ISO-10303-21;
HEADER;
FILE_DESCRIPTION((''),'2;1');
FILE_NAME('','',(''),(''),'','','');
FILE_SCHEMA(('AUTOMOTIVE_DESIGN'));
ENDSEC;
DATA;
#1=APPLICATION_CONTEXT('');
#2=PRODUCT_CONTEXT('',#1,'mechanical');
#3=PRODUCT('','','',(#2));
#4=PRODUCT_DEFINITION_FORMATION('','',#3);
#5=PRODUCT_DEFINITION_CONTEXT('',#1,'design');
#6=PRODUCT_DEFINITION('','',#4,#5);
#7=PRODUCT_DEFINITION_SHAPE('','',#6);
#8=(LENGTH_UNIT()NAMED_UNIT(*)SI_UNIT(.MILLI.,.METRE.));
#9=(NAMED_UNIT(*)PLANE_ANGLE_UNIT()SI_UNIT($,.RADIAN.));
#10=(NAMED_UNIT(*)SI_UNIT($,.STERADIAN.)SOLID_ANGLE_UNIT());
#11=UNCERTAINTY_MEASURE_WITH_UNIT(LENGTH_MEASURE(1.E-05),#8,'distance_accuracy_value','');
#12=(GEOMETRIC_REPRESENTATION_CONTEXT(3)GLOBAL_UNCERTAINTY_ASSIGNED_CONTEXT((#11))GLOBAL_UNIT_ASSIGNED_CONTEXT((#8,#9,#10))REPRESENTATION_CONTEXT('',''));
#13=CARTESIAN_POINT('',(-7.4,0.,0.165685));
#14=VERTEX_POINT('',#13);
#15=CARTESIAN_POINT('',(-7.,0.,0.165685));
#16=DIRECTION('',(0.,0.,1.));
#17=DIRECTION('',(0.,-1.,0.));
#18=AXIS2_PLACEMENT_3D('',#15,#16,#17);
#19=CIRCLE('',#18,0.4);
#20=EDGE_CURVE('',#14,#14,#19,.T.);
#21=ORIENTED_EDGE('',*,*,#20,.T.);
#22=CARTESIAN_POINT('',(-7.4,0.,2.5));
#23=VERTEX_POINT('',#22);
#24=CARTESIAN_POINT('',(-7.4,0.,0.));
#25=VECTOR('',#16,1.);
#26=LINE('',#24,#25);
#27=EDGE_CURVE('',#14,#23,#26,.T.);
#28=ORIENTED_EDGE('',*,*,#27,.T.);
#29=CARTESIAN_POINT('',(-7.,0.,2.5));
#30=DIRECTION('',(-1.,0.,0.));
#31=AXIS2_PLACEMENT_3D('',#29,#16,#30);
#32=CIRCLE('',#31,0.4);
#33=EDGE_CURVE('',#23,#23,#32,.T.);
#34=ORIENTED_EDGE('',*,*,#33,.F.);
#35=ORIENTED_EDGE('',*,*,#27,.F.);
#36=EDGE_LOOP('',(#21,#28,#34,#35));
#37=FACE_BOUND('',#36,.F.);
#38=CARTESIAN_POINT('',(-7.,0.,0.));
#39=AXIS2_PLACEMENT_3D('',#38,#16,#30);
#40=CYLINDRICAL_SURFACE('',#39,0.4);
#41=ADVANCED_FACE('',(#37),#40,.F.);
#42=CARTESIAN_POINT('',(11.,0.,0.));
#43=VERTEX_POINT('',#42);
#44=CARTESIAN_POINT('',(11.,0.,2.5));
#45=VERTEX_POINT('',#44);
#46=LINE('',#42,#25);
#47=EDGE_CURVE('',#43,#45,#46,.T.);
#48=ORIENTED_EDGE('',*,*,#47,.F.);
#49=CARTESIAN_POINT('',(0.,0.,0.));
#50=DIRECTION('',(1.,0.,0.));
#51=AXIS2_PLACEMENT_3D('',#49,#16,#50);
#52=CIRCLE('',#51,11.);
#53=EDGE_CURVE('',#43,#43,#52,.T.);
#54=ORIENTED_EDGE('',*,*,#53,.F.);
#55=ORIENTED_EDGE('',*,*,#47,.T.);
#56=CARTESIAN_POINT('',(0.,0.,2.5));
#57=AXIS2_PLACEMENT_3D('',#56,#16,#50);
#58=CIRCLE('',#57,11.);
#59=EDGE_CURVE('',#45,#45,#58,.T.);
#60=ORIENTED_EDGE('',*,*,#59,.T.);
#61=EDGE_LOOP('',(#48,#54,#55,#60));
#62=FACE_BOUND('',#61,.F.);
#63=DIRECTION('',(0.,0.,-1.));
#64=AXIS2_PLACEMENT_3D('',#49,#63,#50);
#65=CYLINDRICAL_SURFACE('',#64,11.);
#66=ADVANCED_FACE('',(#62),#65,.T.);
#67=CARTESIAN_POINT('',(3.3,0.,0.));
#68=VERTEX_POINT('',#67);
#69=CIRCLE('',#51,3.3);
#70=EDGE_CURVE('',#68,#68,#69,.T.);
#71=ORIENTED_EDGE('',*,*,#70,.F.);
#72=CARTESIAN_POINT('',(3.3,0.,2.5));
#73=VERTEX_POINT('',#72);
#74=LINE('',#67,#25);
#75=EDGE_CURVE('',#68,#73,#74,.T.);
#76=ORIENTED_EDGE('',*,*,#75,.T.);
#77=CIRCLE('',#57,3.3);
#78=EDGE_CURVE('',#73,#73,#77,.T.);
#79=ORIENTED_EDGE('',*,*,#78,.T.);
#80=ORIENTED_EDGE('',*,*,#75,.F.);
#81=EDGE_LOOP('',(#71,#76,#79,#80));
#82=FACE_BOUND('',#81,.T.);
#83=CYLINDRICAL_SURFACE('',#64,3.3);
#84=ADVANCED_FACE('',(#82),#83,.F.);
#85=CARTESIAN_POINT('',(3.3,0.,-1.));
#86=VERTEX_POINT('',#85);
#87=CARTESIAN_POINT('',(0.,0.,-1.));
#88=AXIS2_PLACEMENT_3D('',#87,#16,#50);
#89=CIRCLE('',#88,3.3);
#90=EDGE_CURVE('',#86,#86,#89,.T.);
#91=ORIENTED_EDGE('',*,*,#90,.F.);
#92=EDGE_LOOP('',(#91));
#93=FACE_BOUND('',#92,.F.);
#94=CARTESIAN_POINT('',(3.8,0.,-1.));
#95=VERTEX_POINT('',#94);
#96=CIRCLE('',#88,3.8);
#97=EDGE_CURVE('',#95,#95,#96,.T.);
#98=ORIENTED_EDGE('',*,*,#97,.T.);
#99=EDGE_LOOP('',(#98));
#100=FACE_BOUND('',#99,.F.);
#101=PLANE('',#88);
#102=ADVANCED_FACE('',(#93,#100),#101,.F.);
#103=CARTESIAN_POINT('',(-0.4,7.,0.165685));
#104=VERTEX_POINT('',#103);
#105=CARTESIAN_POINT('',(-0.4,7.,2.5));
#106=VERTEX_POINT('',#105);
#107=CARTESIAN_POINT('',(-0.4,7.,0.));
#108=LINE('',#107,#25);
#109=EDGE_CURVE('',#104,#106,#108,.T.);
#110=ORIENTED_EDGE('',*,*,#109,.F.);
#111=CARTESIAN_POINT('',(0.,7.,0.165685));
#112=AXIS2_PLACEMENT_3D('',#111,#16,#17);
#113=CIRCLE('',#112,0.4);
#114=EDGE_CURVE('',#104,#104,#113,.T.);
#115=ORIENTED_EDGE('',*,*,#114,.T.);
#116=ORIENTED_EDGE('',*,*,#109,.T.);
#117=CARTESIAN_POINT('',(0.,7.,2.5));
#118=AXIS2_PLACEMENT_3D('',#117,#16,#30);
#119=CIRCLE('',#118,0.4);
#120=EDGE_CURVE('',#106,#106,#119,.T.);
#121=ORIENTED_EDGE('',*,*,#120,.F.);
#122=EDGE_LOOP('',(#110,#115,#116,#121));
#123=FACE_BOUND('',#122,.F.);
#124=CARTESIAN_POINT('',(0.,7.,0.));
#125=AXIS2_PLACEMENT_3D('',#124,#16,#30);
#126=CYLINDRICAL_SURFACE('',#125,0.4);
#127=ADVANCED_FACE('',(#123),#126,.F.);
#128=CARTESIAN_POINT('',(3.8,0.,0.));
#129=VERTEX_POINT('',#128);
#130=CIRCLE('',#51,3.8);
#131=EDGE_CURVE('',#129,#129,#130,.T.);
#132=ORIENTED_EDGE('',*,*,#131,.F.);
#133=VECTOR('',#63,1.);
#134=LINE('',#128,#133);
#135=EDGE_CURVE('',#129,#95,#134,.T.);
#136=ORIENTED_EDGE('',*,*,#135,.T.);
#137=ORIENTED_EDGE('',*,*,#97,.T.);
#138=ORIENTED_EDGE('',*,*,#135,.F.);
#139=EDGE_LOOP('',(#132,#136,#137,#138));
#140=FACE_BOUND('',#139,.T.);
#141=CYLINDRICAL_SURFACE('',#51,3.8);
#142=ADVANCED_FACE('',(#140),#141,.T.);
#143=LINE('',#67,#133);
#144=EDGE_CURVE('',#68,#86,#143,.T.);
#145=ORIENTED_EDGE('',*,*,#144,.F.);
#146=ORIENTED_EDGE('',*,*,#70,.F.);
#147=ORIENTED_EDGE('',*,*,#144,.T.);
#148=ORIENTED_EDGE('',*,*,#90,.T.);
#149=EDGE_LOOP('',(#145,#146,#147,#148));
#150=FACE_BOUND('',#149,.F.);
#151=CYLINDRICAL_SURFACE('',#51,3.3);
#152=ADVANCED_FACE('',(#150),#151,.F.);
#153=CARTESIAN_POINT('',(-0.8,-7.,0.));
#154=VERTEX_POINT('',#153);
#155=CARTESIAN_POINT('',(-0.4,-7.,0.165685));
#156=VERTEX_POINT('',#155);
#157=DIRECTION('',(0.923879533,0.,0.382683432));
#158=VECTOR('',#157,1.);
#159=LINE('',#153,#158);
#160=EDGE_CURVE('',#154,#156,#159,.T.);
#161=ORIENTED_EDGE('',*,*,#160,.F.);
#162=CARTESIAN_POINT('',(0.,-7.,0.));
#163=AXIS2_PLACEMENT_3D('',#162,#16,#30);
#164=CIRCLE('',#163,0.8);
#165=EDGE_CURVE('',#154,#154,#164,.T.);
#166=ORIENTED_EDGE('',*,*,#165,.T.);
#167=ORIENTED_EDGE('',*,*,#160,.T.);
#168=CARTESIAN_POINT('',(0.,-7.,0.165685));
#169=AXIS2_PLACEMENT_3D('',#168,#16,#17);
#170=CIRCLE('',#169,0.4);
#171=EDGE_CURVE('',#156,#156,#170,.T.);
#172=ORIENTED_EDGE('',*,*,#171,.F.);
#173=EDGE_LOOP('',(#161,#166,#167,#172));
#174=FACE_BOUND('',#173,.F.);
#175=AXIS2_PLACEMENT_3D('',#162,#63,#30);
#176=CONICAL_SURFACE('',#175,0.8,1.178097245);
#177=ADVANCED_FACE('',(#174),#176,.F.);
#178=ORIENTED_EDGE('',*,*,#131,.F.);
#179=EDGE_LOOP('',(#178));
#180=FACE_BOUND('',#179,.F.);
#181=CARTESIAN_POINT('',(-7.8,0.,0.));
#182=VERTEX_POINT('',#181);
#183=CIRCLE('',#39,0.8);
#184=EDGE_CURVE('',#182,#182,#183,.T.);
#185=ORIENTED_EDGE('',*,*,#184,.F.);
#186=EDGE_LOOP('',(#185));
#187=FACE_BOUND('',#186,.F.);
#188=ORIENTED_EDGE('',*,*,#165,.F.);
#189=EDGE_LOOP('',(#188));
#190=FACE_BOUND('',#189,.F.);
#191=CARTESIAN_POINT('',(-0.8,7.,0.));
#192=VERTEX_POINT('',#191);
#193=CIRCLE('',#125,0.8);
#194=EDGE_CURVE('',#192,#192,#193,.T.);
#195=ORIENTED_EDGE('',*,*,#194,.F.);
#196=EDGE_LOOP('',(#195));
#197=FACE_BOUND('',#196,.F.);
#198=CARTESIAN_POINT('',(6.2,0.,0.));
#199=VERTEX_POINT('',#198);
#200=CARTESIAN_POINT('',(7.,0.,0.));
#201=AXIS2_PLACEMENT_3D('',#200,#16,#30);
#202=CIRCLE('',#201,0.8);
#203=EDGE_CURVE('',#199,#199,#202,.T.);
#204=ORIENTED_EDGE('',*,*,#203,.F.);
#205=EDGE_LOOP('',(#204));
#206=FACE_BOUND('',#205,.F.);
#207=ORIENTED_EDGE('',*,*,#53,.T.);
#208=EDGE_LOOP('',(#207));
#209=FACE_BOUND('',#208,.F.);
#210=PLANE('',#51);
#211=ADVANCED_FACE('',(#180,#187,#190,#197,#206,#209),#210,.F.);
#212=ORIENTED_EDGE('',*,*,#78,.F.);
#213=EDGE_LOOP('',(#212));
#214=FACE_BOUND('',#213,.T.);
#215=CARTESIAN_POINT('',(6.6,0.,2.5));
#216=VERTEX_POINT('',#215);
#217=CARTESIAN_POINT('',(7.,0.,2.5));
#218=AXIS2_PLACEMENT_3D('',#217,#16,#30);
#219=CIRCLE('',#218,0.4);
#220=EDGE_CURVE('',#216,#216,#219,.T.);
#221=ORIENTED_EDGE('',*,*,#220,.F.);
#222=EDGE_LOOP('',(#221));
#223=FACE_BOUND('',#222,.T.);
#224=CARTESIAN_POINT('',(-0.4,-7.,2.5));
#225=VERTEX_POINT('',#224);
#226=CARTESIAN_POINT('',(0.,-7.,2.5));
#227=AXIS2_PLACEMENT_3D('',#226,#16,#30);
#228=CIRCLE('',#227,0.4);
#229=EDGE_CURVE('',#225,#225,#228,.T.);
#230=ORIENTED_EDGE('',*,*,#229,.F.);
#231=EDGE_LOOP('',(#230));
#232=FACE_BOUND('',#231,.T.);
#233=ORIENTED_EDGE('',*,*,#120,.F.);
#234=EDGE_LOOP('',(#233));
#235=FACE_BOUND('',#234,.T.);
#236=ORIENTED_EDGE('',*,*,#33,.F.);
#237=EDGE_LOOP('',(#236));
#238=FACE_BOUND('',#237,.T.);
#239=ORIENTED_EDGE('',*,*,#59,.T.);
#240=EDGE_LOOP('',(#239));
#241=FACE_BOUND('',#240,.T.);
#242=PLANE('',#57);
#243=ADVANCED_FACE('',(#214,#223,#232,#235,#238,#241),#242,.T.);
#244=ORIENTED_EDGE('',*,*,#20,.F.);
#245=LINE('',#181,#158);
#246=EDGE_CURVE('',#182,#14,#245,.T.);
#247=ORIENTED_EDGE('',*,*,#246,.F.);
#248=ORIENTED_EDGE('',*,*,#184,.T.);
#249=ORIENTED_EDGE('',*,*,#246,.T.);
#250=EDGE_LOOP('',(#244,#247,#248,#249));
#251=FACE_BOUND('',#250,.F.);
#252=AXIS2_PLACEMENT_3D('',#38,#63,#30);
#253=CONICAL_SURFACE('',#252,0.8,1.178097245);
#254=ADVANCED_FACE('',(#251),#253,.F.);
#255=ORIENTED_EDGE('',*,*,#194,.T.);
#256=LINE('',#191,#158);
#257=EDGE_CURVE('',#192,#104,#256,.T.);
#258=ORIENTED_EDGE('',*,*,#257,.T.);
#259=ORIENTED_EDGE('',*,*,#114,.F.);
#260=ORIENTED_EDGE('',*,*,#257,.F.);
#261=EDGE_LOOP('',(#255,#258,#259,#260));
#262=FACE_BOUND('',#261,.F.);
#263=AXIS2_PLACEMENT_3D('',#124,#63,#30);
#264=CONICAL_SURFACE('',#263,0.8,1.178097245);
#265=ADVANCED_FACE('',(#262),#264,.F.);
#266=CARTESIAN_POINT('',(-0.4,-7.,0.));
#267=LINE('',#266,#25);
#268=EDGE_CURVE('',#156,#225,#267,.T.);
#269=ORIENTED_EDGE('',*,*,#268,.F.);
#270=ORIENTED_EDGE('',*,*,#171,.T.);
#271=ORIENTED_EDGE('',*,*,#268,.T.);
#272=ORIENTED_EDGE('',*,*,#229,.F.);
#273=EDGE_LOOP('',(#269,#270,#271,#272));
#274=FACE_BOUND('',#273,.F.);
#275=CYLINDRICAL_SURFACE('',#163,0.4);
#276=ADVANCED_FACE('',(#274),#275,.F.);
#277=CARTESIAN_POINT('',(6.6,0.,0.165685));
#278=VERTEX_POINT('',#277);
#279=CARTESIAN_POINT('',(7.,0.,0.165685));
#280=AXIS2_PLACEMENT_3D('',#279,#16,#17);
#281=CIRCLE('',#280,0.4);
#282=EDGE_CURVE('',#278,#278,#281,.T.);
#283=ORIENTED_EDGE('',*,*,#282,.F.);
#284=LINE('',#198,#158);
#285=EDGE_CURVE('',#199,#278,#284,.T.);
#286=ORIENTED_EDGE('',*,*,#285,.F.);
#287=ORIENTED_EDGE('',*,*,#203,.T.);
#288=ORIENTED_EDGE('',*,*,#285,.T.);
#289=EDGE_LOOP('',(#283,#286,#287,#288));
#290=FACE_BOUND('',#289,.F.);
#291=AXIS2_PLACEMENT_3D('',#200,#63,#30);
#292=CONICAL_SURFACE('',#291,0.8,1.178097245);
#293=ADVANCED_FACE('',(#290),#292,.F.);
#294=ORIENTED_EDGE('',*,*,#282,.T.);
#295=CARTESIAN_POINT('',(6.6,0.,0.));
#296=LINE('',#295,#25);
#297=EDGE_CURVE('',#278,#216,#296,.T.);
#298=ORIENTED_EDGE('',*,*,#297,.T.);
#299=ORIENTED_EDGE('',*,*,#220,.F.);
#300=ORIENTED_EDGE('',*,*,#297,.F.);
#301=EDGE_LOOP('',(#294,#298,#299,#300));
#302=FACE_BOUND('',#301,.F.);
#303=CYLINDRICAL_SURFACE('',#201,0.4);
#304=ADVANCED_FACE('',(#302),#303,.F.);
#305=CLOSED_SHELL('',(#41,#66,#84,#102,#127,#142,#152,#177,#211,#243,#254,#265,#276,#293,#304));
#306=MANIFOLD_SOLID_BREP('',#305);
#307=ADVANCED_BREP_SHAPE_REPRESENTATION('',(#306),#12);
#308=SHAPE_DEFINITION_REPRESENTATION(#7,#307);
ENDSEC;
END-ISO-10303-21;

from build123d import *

# Parameters (mm, degrees)
F0_R           = 11
F0_R_2         = 3.8
F0_R_3         = 3.3
F1_DEPTH       = 2.5
F2_DEPTH       = 1
F3_D           = 0.8
F3_CSINK_D     = 1.6
F3_CSINK_ANGLE = 135


with BuildPart() as f1:
    # F0 (on Top) → F1 (new body)
    with BuildSketch(Plane.XY):
        Circle(F0_R)
        Circle(F0_R_2, mode=Mode.SUBTRACT)
        Circle(F0_R_2)
        Circle(F0_R_3, mode=Mode.SUBTRACT)
    extrude(amount=F1_DEPTH)

    # F0 (on Top) → F2 (join)
    with BuildSketch(Plane.XY):
        Circle(F0_R_2)
        Circle(F0_R_3, mode=Mode.SUBTRACT)
    extrude(amount=-F2_DEPTH)

    # F3 (through all)
    with Locations(Plane(origin=(0, 0, 0), x_dir=(1, 0, 0), z_dir=(0, 0, -1))):
        with Locations((0, 7), (7, 0), (0, -7), (-7, 0)):
            CounterSinkHole(F3_D / 2, F3_CSINK_D / 2, counter_sink_angle=F3_CSINK_ANGLE)


solid = f1.part
